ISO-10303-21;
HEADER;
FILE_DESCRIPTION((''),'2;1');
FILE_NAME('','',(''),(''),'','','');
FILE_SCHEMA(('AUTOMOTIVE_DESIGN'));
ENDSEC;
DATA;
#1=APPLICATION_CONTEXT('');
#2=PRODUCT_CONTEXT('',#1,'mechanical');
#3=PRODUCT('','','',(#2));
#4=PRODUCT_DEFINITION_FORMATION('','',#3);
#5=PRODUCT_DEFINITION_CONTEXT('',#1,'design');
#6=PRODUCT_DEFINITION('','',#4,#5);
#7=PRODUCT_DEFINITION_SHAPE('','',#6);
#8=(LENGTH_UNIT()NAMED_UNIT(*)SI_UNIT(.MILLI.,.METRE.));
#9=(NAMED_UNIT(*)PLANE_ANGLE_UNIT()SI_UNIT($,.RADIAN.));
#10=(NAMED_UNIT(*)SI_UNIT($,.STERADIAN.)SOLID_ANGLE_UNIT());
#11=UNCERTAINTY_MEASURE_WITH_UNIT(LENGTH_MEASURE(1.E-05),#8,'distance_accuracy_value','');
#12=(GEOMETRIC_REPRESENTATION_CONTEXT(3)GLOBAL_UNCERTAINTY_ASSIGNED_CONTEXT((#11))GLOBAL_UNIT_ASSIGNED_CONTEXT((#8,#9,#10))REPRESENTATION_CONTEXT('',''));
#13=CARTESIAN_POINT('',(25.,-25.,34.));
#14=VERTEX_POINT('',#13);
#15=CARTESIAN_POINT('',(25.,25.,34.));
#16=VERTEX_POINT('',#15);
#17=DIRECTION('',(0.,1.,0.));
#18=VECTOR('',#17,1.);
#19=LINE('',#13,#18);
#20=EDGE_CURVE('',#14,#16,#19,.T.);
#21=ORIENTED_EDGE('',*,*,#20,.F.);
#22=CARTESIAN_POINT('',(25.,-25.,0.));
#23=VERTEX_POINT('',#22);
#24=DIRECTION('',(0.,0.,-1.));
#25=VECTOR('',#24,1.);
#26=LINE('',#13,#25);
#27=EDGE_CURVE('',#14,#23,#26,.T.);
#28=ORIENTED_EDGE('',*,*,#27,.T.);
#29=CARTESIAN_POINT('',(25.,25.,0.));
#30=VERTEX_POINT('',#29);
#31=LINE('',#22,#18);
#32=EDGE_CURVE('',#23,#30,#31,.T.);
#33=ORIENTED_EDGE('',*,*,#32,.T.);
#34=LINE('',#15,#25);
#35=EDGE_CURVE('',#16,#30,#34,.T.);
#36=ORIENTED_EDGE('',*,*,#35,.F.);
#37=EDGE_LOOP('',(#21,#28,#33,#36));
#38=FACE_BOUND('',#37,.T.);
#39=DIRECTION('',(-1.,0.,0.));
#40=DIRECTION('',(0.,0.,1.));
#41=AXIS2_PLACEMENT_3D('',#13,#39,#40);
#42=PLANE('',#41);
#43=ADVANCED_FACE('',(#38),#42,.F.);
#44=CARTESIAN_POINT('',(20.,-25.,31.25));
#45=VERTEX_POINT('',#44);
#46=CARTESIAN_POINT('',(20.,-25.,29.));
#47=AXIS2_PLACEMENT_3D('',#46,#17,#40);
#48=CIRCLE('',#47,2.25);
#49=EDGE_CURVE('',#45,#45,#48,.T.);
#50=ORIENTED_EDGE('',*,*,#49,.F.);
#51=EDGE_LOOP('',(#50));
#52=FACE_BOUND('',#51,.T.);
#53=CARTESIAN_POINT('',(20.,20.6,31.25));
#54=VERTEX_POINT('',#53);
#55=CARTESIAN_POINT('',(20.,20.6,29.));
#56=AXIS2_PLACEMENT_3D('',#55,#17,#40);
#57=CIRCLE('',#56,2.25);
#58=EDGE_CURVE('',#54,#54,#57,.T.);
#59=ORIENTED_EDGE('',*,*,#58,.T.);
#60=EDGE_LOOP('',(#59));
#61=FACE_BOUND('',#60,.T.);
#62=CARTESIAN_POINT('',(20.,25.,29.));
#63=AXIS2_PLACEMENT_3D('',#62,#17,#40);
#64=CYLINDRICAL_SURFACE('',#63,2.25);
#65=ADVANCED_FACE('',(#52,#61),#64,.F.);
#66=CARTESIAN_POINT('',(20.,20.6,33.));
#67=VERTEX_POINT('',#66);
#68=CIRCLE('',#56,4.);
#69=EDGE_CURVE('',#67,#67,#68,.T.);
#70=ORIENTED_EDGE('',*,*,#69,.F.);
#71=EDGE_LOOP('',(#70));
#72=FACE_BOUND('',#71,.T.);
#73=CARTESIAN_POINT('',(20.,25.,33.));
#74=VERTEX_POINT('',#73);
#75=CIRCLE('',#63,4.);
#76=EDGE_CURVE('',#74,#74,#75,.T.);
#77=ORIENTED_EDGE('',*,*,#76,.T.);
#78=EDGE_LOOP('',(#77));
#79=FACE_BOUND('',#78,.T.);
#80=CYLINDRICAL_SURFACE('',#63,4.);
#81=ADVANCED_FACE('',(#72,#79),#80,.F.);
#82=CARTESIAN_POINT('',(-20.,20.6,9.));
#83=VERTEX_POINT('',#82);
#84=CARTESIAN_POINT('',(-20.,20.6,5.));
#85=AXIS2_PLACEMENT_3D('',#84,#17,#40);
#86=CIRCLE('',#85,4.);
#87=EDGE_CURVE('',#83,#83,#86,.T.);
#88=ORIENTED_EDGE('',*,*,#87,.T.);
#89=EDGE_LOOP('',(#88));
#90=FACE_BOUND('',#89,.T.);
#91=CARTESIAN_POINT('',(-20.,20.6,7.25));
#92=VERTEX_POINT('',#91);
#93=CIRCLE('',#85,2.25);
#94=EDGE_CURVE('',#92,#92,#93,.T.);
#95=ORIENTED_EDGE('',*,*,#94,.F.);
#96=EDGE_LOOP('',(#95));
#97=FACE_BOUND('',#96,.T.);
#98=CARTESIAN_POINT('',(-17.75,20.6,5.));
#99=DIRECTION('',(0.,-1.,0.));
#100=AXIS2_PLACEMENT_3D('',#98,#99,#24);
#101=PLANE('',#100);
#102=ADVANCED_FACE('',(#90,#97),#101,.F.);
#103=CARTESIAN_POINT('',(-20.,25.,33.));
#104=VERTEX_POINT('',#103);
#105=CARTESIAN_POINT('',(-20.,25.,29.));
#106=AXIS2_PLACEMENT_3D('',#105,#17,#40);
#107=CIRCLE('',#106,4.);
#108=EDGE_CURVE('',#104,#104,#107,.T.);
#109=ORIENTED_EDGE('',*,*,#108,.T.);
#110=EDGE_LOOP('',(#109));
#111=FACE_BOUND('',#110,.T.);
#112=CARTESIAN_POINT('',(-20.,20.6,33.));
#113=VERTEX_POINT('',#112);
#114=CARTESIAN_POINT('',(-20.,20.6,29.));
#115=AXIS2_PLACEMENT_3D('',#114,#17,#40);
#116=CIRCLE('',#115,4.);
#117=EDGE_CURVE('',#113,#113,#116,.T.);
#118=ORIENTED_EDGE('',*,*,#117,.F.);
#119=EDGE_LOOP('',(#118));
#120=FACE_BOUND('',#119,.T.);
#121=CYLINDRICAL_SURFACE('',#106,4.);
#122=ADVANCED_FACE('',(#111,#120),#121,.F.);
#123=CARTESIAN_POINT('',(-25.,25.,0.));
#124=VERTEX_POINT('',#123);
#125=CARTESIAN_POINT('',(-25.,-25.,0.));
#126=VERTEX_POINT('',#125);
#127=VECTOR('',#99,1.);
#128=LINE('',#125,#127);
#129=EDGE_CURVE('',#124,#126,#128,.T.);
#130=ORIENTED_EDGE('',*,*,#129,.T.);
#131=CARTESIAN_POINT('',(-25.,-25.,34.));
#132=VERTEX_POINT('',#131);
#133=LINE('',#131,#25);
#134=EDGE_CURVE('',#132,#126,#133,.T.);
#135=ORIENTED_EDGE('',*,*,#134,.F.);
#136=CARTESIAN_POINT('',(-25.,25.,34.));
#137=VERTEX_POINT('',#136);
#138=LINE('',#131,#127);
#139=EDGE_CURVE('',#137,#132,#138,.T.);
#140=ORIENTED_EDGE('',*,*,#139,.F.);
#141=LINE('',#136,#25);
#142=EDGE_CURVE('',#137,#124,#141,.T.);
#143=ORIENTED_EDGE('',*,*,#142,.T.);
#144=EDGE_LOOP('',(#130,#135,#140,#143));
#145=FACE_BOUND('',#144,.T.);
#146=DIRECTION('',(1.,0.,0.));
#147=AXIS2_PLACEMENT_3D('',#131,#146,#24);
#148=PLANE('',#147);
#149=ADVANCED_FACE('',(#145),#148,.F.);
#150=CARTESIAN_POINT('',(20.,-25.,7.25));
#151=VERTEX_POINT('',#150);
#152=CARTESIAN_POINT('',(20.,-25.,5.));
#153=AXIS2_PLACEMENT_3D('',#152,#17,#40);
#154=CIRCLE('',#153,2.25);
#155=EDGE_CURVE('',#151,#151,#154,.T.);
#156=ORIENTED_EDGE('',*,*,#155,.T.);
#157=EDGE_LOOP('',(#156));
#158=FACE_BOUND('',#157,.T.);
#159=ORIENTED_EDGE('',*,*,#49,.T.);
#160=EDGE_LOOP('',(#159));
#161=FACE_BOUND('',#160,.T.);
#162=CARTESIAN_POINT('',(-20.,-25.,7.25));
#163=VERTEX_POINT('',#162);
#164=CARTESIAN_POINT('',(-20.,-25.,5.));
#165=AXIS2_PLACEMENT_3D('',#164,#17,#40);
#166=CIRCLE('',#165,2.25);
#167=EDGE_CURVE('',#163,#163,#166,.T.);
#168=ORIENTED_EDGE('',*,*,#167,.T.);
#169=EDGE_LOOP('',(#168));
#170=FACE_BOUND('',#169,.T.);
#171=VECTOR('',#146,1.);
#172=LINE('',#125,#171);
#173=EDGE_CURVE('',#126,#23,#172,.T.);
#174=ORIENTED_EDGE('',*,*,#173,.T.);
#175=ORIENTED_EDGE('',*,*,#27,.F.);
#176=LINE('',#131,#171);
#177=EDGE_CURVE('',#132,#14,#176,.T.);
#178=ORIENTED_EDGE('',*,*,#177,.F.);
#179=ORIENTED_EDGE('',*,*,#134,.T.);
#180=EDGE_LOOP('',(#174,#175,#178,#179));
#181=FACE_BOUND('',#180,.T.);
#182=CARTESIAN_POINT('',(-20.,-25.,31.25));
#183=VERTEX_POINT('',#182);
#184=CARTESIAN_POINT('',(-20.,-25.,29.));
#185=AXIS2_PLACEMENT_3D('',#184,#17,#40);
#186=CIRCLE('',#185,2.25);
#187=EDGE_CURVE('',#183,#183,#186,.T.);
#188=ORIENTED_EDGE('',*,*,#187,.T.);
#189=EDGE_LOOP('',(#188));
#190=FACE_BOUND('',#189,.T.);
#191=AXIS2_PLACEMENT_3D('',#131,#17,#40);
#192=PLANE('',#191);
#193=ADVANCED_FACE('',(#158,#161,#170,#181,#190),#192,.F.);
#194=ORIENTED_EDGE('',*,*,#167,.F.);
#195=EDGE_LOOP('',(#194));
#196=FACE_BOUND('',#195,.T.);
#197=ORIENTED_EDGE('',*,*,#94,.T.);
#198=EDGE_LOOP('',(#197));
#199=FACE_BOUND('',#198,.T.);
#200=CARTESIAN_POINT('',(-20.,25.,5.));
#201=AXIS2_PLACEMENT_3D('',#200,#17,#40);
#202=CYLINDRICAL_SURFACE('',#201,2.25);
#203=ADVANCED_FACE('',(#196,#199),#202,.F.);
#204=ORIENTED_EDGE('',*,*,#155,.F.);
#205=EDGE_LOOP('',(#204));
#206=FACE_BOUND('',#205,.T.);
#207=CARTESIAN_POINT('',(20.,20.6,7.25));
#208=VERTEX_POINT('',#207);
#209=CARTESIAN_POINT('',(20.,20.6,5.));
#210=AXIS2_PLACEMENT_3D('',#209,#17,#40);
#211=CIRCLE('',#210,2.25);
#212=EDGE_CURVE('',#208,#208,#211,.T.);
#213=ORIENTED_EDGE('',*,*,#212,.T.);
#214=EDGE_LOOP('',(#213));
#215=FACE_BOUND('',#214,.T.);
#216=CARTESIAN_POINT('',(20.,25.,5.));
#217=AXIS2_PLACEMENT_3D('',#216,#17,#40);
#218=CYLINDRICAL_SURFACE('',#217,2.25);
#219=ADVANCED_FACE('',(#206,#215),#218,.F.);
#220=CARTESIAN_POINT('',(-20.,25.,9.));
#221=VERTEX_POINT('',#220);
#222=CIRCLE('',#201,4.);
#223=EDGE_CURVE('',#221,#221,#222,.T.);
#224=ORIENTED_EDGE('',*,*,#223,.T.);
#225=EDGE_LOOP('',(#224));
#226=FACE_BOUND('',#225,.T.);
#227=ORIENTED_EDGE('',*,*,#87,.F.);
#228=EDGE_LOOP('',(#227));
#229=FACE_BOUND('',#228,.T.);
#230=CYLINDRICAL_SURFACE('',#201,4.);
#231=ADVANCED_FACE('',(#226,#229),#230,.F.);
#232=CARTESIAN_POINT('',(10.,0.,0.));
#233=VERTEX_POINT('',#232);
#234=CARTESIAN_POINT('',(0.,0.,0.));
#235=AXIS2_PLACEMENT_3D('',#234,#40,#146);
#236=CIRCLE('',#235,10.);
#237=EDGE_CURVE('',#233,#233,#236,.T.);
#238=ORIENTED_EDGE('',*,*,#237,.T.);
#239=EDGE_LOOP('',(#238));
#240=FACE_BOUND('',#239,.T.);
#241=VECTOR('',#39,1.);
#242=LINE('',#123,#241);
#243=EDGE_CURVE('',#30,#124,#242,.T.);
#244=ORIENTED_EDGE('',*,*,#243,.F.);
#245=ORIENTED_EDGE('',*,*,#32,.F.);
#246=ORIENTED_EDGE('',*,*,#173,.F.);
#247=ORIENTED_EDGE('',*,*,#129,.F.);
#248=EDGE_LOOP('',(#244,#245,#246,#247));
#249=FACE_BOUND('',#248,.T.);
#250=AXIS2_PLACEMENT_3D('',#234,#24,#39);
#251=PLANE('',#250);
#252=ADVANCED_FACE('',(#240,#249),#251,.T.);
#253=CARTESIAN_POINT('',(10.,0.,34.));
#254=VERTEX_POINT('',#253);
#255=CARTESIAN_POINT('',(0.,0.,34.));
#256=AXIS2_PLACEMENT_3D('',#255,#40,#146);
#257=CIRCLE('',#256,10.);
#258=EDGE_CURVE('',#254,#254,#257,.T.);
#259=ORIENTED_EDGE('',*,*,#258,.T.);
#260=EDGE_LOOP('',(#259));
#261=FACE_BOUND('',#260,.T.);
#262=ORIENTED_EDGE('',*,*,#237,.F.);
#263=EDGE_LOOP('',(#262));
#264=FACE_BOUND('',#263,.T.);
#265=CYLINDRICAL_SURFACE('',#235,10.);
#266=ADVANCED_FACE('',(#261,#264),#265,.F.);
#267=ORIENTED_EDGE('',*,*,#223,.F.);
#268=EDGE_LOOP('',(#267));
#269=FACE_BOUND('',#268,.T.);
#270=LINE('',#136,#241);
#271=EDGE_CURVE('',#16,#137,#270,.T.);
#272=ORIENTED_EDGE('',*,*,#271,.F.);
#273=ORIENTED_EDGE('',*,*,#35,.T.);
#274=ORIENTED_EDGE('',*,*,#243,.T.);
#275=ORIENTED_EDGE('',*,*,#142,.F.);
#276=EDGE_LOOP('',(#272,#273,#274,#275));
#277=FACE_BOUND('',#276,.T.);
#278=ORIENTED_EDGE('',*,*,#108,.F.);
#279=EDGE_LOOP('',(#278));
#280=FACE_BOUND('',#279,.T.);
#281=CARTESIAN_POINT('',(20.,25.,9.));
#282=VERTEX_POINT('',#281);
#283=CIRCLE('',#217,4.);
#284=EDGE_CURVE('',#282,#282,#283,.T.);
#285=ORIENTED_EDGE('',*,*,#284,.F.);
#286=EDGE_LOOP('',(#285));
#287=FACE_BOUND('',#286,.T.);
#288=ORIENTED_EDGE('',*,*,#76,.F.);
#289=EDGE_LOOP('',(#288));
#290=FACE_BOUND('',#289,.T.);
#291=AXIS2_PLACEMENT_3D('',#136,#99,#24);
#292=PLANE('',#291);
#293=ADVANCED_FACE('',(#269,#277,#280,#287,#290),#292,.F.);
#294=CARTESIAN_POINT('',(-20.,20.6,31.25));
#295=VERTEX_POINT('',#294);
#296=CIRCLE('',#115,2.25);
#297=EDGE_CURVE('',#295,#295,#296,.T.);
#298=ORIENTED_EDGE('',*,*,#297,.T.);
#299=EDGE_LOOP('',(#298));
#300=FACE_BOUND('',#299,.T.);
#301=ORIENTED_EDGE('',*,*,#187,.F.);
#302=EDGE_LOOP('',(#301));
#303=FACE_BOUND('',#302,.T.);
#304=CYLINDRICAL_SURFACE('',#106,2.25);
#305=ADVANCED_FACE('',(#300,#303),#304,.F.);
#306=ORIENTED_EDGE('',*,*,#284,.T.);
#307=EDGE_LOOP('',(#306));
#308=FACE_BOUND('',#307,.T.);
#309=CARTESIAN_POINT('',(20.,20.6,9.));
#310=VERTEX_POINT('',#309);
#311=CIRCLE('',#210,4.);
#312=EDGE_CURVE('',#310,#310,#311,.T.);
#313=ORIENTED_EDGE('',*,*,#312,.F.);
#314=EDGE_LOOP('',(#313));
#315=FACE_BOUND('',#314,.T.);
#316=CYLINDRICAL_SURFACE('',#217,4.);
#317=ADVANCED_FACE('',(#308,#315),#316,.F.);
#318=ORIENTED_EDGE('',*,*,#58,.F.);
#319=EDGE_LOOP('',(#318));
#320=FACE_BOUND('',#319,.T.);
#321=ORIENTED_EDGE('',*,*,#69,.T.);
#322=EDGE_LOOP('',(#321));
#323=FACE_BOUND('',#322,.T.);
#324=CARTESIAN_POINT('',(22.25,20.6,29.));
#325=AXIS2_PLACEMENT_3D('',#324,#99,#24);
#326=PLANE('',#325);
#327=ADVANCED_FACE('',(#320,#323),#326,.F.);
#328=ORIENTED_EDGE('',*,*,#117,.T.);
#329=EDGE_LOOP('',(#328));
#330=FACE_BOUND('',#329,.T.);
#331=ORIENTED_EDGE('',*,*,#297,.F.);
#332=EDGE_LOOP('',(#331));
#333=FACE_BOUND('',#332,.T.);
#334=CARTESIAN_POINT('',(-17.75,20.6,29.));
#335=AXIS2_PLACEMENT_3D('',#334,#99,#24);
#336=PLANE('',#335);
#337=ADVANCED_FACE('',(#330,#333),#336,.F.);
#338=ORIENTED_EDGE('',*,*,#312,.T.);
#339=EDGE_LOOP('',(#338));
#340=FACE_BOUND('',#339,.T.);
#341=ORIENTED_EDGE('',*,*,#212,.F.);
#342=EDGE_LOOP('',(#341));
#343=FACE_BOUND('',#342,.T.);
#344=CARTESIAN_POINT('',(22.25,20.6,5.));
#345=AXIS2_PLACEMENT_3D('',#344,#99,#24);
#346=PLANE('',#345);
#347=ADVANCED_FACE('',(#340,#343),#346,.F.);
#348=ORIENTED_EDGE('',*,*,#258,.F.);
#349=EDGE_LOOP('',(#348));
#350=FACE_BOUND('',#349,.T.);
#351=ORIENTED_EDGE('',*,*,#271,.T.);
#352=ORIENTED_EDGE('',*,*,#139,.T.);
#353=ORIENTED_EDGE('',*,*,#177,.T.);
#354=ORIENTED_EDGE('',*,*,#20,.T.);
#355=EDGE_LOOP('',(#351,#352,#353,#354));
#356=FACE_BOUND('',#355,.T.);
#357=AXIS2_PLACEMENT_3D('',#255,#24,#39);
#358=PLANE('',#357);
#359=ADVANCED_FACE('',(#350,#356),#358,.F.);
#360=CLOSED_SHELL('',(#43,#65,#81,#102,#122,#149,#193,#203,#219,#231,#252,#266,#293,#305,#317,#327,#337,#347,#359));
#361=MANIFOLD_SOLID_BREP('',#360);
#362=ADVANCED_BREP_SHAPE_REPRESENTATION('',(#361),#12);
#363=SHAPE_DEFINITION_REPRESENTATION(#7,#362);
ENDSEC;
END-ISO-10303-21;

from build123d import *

# Parameters (mm, degrees)
SKETCH1_W                                           = 50
SKETCH1_H                                           = 50
BOSS_EXTRUDE1_DEPTH                                 = 34
CBORE_FOR_M4_HEX_SOCKET_HEAD_CAP_SCREW1_D           = 4.5
CBORE_FOR_M4_HEX_SOCKET_HEAD_CAP_SCREW1_CBORE_D     = 8
CBORE_FOR_M4_HEX_SOCKET_HEAD_CAP_SCREW1_CBORE_DEPTH = 4.4
SKETCH6_R                                           = 10
CUT_EXTRUDE1_DEPTH                                  = 35


with BuildPart() as part:
    # Sketch1 → Boss-Extrude1 (new body)
    with BuildSketch(Plane.XY):
        Rectangle(SKETCH1_W, SKETCH1_H)
    extrude(amount=BOSS_EXTRUDE1_DEPTH)

    # CBORE for M4 Hex Socket Head Cap Screw1 (through all)
    with Locations(Plane(origin=(0, 25, 0), x_dir=(1, 0, 0), z_dir=(0, 1, 0))):
        with Locations((-20, -5), (20, -5), (20, -29), (-20, -29)):
            CounterBoreHole(CBORE_FOR_M4_HEX_SOCKET_HEAD_CAP_SCREW1_D / 2, CBORE_FOR_M4_HEX_SOCKET_HEAD_CAP_SCREW1_CBORE_D / 2, CBORE_FOR_M4_HEX_SOCKET_HEAD_CAP_SCREW1_CBORE_DEPTH)

    # Sketch6 → Cut-Extrude1 (cut, through all)
    with BuildSketch(Plane.XY.offset(34)):
        Circle(SKETCH6_R)
    extrude(amount=-CUT_EXTRUDE1_DEPTH, mode=Mode.SUBTRACT)


solid = part.part
